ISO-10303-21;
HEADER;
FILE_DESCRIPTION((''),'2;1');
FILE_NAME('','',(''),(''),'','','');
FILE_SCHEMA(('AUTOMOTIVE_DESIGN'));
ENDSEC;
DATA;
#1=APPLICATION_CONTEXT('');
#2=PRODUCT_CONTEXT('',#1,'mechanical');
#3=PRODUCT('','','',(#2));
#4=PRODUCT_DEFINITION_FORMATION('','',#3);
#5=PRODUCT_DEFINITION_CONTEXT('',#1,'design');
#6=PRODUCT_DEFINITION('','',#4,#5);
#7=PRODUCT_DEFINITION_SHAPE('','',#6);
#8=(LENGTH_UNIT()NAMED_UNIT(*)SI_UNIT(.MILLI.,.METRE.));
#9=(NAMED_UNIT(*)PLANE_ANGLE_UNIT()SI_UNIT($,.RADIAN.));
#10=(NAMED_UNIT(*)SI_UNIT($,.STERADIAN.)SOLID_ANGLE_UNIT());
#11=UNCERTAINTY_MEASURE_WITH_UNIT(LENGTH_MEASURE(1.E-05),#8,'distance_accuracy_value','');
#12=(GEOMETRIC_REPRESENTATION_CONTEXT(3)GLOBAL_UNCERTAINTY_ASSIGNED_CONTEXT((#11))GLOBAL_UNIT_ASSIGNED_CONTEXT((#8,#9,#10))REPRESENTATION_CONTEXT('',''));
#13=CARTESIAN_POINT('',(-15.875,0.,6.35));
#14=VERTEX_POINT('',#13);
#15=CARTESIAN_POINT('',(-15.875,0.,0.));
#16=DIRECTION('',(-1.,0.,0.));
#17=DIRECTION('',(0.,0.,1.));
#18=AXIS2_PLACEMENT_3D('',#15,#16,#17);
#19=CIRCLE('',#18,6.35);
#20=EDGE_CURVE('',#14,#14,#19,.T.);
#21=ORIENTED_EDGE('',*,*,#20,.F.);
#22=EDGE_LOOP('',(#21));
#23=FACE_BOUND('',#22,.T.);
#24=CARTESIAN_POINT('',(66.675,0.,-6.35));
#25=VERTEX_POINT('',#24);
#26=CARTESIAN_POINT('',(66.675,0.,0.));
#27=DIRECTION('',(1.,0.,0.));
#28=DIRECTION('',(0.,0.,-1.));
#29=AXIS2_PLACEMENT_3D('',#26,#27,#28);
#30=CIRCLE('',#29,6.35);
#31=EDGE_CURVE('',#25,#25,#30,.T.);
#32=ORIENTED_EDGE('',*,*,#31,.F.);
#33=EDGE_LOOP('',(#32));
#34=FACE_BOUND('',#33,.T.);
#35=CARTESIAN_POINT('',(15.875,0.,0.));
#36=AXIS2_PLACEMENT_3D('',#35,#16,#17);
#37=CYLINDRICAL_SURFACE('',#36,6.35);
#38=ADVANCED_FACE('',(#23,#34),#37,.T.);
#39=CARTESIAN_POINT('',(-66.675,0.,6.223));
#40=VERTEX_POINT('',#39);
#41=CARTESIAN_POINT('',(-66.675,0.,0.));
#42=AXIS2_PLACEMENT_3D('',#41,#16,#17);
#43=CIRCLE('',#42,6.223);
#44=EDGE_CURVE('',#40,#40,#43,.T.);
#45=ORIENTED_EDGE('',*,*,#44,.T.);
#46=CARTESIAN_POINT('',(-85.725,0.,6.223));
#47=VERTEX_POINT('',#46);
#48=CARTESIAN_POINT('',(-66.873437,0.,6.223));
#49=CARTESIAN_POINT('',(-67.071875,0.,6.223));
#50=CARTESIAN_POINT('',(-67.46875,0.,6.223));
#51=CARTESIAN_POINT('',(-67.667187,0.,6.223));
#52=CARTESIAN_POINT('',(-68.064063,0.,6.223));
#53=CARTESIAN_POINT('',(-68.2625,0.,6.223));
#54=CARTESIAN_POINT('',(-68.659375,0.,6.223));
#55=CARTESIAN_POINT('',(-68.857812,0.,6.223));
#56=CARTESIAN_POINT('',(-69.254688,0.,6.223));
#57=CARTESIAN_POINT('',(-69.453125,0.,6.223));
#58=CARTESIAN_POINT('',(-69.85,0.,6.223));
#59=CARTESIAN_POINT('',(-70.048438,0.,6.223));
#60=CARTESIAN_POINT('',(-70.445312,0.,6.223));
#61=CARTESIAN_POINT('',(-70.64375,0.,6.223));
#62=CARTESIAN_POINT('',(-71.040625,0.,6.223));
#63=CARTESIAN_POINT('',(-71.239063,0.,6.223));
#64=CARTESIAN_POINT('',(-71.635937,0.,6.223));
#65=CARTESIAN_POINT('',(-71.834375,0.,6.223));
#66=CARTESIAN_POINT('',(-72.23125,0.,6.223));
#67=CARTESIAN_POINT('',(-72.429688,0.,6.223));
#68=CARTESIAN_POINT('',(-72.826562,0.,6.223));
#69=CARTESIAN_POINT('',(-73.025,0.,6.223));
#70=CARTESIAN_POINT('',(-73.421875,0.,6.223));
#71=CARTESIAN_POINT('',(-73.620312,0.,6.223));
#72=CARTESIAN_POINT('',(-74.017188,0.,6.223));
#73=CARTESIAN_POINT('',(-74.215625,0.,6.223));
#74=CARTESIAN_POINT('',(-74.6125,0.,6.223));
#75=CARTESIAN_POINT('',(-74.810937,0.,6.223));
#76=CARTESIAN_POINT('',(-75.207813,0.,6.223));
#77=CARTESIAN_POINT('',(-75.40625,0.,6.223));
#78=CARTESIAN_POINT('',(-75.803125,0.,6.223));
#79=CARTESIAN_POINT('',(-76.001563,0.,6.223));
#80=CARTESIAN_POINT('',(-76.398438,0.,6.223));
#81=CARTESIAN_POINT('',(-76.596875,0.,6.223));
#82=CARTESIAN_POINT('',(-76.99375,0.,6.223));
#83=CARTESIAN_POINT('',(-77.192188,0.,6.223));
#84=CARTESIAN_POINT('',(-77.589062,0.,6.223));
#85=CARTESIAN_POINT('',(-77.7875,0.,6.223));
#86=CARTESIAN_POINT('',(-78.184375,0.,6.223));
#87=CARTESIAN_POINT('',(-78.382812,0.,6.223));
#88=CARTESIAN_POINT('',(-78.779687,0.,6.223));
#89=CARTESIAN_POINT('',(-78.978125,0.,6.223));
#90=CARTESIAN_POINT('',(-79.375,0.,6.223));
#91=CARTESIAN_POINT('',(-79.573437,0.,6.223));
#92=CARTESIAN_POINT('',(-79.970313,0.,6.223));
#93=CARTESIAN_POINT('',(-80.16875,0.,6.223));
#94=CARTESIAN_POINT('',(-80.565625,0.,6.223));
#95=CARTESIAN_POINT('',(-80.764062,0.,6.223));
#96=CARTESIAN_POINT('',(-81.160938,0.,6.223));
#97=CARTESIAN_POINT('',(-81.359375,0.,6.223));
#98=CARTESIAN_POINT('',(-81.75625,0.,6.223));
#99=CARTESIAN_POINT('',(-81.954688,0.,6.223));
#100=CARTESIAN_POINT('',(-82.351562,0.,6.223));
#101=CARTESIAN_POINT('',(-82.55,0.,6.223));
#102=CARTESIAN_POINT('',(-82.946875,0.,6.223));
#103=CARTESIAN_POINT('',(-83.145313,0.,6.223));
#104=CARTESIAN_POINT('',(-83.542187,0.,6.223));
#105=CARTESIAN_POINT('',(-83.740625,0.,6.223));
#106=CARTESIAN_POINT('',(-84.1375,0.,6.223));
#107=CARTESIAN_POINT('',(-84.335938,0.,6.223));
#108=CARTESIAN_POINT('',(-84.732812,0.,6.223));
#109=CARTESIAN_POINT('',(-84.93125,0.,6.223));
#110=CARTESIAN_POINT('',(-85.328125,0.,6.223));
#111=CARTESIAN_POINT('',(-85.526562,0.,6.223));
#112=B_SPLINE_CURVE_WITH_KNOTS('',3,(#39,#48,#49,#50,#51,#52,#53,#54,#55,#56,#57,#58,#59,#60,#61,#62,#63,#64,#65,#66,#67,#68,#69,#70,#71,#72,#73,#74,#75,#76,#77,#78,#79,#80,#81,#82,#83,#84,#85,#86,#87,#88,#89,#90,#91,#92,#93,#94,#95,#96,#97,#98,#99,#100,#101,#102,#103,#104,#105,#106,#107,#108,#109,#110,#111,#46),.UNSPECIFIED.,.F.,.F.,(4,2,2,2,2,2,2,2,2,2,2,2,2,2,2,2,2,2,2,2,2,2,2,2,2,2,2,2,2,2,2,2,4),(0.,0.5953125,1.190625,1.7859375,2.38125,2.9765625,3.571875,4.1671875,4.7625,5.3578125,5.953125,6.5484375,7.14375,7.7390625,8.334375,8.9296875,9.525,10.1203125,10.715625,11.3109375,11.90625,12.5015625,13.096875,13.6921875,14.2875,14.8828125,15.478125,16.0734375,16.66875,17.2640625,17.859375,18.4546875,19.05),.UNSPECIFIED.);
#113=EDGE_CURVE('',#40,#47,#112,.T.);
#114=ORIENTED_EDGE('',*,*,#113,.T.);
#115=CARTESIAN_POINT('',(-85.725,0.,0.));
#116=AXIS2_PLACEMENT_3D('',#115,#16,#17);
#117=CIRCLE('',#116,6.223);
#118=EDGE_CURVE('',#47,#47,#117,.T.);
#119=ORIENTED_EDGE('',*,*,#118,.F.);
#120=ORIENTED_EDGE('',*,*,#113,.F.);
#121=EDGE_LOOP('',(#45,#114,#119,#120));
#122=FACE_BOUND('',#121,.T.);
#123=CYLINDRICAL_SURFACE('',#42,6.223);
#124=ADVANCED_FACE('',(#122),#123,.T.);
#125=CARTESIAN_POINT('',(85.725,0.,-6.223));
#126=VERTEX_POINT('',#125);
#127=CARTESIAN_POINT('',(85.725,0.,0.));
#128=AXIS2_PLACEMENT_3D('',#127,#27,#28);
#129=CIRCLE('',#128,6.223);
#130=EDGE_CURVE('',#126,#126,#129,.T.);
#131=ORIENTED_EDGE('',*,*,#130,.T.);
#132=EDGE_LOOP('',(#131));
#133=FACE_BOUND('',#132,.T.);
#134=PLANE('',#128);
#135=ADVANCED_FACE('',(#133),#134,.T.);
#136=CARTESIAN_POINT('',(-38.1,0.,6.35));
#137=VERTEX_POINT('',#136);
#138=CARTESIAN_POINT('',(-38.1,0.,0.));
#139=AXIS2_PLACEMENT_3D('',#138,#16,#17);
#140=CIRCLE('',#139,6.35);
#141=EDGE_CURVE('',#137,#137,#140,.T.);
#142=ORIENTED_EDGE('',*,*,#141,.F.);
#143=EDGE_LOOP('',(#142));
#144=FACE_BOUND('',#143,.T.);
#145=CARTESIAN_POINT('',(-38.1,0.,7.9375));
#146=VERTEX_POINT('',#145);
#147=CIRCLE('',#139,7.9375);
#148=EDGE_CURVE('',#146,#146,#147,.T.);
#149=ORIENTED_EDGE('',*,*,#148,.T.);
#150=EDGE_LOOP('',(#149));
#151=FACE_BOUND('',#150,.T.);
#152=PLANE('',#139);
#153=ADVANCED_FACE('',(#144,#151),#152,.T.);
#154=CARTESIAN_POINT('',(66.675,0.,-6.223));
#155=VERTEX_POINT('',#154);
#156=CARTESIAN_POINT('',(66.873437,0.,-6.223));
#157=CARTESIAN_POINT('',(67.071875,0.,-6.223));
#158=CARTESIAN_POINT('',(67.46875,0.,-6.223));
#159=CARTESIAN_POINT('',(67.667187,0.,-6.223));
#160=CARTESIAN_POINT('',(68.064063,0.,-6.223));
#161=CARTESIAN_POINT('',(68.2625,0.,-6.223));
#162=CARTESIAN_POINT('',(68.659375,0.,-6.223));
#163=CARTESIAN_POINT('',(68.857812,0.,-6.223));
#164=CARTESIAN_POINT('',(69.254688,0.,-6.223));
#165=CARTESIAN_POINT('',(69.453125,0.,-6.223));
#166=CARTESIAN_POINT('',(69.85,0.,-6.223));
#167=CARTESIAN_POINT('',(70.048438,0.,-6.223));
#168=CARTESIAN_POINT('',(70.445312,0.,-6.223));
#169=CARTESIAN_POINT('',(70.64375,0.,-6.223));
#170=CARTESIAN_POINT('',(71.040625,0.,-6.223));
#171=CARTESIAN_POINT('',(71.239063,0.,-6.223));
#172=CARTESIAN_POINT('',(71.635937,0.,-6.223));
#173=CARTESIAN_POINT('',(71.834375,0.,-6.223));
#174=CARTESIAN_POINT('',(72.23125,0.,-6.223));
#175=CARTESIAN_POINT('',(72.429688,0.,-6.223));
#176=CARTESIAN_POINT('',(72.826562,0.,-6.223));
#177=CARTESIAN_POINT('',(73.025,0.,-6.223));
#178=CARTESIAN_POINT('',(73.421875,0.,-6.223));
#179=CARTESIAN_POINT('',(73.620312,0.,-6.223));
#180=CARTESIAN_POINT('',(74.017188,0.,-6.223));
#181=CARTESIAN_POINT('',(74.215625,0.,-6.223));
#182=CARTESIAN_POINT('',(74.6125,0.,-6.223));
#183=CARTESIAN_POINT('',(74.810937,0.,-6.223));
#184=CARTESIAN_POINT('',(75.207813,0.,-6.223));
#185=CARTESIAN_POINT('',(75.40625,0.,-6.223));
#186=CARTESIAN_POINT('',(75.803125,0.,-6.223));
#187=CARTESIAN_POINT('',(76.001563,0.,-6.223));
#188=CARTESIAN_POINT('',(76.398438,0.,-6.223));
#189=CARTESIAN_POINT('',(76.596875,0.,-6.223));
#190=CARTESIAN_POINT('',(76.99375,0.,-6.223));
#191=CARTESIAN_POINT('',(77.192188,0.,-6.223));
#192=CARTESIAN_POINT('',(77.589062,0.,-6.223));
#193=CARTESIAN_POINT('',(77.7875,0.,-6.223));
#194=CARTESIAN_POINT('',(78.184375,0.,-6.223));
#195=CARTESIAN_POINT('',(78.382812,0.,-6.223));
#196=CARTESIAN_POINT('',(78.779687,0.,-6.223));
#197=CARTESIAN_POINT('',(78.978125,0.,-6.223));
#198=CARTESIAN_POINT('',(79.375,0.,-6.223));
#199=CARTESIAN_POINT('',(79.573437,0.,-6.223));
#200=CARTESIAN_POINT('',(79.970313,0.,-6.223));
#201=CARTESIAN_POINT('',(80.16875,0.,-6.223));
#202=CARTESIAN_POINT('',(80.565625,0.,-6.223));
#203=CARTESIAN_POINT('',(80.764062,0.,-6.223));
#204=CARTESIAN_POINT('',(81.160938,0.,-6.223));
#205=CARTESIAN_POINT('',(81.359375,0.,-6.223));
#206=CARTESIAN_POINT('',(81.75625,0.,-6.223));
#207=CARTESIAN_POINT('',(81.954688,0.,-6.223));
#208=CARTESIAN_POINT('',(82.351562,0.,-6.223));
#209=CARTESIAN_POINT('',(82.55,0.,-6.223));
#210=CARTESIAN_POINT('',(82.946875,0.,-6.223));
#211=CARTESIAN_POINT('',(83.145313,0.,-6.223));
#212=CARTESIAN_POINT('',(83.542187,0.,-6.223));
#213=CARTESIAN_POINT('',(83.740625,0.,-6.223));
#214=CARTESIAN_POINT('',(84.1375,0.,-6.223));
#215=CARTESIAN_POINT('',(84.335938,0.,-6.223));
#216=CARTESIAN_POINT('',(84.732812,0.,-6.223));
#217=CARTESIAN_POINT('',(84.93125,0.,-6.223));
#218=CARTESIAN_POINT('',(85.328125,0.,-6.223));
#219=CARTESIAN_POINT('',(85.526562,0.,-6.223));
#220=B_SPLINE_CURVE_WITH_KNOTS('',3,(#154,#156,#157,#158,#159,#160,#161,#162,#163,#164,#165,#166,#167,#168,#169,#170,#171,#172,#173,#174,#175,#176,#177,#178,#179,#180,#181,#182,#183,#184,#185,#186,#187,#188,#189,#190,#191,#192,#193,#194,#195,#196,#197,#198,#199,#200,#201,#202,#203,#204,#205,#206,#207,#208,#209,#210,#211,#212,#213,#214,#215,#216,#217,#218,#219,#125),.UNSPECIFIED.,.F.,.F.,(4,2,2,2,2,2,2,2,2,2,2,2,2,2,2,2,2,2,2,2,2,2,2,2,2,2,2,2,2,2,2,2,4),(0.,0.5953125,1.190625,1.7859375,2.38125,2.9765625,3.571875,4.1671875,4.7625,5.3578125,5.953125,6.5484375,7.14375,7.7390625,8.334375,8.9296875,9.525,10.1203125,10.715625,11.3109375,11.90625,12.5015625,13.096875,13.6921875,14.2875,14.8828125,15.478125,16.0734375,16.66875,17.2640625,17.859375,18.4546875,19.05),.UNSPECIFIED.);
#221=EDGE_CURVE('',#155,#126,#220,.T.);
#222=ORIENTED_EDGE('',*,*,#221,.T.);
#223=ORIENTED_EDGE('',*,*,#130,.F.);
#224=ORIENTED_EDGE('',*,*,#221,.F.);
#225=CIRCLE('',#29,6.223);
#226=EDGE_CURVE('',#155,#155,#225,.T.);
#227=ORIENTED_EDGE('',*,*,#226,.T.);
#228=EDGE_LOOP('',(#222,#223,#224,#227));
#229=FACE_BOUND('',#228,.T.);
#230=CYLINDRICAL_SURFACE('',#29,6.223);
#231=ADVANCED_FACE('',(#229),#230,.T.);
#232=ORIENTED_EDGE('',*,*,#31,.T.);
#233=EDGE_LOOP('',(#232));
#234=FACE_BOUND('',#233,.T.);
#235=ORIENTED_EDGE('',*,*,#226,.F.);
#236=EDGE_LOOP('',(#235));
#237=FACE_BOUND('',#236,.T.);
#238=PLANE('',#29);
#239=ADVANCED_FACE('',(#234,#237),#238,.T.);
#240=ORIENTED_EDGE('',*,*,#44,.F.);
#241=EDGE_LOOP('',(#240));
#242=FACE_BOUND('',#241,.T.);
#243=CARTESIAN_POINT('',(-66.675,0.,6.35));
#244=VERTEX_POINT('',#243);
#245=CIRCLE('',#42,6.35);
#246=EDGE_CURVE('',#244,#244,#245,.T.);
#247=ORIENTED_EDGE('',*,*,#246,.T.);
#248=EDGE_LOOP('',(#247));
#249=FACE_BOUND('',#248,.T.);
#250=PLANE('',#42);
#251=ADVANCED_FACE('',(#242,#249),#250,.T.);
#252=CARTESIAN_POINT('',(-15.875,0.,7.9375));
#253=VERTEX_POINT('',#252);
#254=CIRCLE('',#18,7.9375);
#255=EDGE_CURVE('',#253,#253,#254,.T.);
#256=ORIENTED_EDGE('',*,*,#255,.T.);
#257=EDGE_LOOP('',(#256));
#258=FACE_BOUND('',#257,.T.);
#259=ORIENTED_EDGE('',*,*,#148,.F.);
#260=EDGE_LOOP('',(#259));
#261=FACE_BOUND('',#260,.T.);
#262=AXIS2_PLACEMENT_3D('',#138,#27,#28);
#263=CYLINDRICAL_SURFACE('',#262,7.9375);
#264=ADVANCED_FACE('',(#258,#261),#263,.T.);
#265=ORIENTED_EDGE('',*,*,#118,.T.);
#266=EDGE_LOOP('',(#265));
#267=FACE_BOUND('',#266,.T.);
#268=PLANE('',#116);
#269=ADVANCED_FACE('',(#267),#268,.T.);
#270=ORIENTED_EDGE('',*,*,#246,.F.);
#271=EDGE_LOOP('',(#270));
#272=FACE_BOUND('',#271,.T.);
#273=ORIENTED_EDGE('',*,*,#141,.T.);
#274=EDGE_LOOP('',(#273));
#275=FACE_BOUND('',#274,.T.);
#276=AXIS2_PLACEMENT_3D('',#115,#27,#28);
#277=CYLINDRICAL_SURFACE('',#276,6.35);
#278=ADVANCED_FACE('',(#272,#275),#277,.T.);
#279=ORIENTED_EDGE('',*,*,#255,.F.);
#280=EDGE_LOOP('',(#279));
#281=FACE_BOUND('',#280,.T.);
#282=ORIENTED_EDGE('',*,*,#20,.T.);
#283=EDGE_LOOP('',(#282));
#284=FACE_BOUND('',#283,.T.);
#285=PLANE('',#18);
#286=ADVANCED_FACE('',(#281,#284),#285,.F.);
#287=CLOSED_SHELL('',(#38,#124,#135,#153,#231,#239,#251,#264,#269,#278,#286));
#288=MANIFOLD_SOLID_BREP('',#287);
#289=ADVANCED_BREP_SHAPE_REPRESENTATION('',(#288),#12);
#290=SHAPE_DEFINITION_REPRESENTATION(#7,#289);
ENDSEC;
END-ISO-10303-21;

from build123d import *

# Parameters (mm, degrees)
SKETCH1_R           = 6.35
BOSS_EXTRUDE1_DEPTH = 15.875
SKETCH2_R           = 7.9375
BOSS_EXTRUDE2_DEPTH = 22.225
BOSS_EXTRUDE3_START = 69.85
SKETCH3_R           = 6.35
BOSS_EXTRUDE3_DEPTH = 69.85
SKETCH4_R           = 6.35
BOSS_EXTRUDE4_DEPTH = 47.625
SKETCH5_OUTSIDE_W   = 52.458
SKETCH5_OUTSIDE_H   = 52.458
SKETCH5_OUTSIDE_R   = 6.223
CUT_EXTRUDE3_DEPTH  = 19.05
SKETCH6_OUTSIDE_W   = 52.458
SKETCH6_OUTSIDE_H   = 52.458
SKETCH6_OUTSIDE_R   = 6.223
CUT_EXTRUDE4_DEPTH  = 19.05


with BuildPart() as part:
    # Sketch1 → Boss-Extrude1 (new, symmetric)
    with BuildSketch(Plane(origin=(0, 0, 0), x_dir=(0, 0, -1), z_dir=(1, 0, 0))):
        Circle(SKETCH1_R)
    extrude(amount=BOSS_EXTRUDE1_DEPTH, both=True)

    # Sketch2 → Boss-Extrude2 (add)
    with BuildSketch(Plane.ZY.offset(15.875)):
        Circle(SKETCH2_R)
    extrude(amount=BOSS_EXTRUDE2_DEPTH)

    # Sketch3 → Boss-Extrude3 (add)
    with BuildSketch(Plane(origin=(15.875, 0, 0), x_dir=(0, 0, -1), z_dir=(1, 0, 0)).offset(BOSS_EXTRUDE3_START)):
        with Locations(Location((0, 0, 0), (0, 0, 180))):
            Circle(SKETCH3_R)
    extrude(amount=-BOSS_EXTRUDE3_DEPTH)

    # Sketch4 → Boss-Extrude4 (add)
    with BuildSketch(Plane.ZY.offset(38.1)):
        Circle(SKETCH4_R)
    extrude(amount=BOSS_EXTRUDE4_DEPTH)

    # Sketch5 outside → Cut-Extrude3 (cut)
    with BuildSketch(Plane.ZY.offset(85.725)):
        Rectangle(SKETCH5_OUTSIDE_W, SKETCH5_OUTSIDE_H)
        Circle(SKETCH5_OUTSIDE_R, mode=Mode.SUBTRACT)
    extrude(amount=-CUT_EXTRUDE3_DEPTH, mode=Mode.SUBTRACT)

    # Sketch6 outside → Cut-Extrude4 (cut)
    with BuildSketch(Plane(origin=(85.725, 0, 0), x_dir=(0, 0, -1), z_dir=(1, 0, 0))):
        Rectangle(SKETCH6_OUTSIDE_W, SKETCH6_OUTSIDE_H)
        with Locations(Location((0, 0, 0), (0, 0, 180))):
            Circle(SKETCH6_OUTSIDE_R, mode=Mode.SUBTRACT)
    extrude(amount=-CUT_EXTRUDE4_DEPTH, mode=Mode.SUBTRACT)


solid = part.part
